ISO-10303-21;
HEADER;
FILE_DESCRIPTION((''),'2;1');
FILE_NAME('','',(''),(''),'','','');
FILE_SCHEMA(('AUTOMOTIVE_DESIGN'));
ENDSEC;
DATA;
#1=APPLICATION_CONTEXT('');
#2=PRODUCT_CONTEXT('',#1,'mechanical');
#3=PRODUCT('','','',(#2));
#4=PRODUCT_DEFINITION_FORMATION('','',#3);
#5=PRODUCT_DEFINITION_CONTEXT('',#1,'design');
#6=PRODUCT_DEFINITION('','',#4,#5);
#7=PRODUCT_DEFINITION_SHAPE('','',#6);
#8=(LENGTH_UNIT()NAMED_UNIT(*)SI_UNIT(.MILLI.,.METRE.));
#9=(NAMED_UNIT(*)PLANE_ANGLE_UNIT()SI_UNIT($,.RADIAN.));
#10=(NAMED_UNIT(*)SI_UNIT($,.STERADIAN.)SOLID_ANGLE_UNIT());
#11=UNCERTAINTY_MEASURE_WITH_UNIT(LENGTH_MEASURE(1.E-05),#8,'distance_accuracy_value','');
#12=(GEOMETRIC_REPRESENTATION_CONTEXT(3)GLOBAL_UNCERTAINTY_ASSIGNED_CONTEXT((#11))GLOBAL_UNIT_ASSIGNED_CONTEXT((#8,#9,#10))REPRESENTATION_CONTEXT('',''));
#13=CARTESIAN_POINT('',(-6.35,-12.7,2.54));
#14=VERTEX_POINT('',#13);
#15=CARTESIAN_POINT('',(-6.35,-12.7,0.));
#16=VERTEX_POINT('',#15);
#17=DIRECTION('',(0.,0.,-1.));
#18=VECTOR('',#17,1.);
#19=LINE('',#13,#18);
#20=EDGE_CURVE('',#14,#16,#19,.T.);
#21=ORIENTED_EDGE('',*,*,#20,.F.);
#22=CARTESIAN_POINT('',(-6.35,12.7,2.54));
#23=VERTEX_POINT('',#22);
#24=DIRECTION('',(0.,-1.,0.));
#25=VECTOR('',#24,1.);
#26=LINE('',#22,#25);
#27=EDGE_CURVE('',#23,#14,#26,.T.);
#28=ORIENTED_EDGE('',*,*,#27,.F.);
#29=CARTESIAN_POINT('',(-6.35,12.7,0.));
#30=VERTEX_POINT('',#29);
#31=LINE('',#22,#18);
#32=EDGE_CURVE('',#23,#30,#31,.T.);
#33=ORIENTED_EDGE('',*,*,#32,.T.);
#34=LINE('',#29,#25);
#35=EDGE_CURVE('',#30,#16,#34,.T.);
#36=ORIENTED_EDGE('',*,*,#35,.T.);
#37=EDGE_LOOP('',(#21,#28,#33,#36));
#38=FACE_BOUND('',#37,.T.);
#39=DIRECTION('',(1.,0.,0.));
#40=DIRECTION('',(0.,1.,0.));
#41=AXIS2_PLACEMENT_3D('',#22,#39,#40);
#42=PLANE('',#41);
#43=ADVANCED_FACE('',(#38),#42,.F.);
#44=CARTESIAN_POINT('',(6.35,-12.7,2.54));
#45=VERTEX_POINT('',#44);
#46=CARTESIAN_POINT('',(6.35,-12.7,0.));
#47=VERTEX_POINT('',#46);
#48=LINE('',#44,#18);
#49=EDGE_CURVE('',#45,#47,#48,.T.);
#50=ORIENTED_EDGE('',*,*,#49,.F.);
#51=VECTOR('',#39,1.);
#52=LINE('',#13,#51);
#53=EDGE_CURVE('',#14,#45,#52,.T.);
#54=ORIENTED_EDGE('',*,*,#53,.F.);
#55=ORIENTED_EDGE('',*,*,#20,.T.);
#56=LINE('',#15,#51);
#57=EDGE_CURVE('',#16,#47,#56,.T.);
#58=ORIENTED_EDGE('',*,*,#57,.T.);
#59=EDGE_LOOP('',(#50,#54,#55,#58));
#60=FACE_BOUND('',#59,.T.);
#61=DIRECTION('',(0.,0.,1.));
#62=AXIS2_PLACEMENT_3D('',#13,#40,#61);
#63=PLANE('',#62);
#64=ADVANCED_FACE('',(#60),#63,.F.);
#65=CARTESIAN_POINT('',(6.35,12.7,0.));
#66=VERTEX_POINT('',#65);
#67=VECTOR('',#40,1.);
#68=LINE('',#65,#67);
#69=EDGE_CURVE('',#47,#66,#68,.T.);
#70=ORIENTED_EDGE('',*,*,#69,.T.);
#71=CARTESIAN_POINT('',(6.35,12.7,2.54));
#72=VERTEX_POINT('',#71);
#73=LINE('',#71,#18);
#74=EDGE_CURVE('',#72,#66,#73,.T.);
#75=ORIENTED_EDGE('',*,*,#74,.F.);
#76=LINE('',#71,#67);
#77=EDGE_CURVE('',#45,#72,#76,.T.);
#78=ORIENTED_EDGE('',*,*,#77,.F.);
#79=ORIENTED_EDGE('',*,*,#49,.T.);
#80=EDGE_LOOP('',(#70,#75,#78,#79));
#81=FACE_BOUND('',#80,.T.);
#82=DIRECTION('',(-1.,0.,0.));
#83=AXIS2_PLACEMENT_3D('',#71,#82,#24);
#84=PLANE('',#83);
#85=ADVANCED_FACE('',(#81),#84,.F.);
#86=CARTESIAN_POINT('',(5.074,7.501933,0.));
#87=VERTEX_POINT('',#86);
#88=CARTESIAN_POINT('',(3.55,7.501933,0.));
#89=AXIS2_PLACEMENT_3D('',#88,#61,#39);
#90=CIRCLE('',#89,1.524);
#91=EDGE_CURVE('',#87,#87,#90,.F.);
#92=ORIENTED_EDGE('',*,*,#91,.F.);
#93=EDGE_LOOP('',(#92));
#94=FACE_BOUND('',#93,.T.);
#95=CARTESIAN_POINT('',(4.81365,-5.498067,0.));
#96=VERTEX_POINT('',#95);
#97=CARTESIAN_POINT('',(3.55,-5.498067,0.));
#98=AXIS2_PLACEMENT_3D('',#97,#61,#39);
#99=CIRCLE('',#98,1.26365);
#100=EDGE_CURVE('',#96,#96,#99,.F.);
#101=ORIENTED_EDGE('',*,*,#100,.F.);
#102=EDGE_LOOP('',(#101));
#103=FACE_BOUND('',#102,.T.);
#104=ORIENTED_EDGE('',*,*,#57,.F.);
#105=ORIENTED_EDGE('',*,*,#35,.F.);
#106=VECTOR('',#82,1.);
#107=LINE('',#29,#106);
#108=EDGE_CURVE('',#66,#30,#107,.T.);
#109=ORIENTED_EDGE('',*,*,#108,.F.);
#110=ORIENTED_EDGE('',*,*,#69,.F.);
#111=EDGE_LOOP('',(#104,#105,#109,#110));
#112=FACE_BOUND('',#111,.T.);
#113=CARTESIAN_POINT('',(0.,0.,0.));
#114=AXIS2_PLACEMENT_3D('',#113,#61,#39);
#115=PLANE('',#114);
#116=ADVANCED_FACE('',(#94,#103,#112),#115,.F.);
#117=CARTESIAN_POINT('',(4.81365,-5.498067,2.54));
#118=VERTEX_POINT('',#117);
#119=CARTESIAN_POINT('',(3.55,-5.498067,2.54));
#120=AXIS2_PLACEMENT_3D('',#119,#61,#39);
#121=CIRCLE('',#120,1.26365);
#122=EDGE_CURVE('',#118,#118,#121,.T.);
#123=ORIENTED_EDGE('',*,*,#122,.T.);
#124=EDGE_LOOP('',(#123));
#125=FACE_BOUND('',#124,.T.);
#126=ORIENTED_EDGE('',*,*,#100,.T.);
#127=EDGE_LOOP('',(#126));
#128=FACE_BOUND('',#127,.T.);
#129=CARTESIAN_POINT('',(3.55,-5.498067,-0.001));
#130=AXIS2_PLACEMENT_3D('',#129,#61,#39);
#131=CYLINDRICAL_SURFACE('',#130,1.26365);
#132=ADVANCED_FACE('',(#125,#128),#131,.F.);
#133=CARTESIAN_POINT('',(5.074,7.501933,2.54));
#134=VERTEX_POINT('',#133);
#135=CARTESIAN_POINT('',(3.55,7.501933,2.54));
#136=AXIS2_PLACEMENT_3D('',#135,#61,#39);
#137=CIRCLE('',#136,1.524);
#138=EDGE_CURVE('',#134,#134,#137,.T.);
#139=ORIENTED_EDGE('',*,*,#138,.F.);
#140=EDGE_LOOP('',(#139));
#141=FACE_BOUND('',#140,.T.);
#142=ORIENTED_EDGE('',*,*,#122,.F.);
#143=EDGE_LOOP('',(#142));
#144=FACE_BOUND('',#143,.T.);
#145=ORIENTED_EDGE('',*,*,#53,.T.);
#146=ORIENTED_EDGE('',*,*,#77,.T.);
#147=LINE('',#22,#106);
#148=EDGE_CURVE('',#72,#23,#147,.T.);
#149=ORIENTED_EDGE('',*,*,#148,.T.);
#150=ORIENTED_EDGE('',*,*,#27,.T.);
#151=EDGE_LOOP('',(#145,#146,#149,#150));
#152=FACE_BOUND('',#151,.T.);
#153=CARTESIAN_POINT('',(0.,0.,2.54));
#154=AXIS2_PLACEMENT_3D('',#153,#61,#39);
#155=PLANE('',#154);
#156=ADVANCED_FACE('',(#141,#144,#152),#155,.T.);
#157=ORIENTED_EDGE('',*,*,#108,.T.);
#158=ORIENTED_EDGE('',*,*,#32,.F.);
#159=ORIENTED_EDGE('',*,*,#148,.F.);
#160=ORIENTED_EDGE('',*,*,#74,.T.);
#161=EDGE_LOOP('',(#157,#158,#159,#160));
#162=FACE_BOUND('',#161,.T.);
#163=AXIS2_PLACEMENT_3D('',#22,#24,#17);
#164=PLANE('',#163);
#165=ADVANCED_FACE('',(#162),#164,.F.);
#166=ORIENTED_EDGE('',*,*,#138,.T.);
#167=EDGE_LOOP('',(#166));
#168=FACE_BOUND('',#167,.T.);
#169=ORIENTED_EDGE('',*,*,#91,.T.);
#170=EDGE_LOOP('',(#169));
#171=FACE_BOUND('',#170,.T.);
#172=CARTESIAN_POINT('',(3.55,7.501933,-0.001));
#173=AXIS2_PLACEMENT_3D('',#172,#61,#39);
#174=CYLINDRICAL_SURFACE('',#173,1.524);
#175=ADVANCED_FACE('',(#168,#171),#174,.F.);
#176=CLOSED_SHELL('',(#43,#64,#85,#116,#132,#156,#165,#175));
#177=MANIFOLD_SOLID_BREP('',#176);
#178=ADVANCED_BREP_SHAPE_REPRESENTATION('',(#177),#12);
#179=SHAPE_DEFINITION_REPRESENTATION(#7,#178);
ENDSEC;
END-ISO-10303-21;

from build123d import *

# Parameters (mm, degrees)
SKETCH1_W           = 12.7
SKETCH1_H           = 25.4
BOSS_EXTRUDE1_DEPTH = 2.54
CUT_EXTRUDE1_REACH  = 16.424
SKETCH2_R           = 1.524
SKETCH2_R_2         = 1.26365


with BuildPart() as part:
    # Sketch1 → Boss-Extrude1 (new body)
    with BuildSketch(Plane.XY):
        Rectangle(SKETCH1_W, SKETCH1_H)
    extrude(amount=BOSS_EXTRUDE1_DEPTH)

    # Sketch2 → Cut-Extrude1 (cut, up to next)
    with BuildSketch(Plane.XY.offset(2.54), mode=Mode.PRIVATE) as cut_extrude1_sk1:
        with Locations((3.55, 7.501932673)):
            Circle(SKETCH2_R)
    cut_extrude1_tool1 = extrude(cut_extrude1_sk1.sketch, amount=-CUT_EXTRUDE1_REACH, mode=Mode.PRIVATE) & part.part
    # Sketch2 → Cut-Extrude1 (cut, up to next)
    with BuildSketch(Plane.XY.offset(2.54), mode=Mode.PRIVATE) as cut_extrude1_sk2:
        with Locations((3.55, -5.498067327)):
            Circle(SKETCH2_R_2)
    cut_extrude1_tool2 = extrude(cut_extrude1_sk2.sketch, amount=-CUT_EXTRUDE1_REACH, mode=Mode.PRIVATE) & part.part
    add(cut_extrude1_tool1.solids().sort_by_distance((3.55, 7.501933, 2.54))[0], mode=Mode.SUBTRACT)
    add(cut_extrude1_tool2.solids().sort_by_distance((3.55, -5.498067, 2.54))[0], mode=Mode.SUBTRACT)


solid = part.part
